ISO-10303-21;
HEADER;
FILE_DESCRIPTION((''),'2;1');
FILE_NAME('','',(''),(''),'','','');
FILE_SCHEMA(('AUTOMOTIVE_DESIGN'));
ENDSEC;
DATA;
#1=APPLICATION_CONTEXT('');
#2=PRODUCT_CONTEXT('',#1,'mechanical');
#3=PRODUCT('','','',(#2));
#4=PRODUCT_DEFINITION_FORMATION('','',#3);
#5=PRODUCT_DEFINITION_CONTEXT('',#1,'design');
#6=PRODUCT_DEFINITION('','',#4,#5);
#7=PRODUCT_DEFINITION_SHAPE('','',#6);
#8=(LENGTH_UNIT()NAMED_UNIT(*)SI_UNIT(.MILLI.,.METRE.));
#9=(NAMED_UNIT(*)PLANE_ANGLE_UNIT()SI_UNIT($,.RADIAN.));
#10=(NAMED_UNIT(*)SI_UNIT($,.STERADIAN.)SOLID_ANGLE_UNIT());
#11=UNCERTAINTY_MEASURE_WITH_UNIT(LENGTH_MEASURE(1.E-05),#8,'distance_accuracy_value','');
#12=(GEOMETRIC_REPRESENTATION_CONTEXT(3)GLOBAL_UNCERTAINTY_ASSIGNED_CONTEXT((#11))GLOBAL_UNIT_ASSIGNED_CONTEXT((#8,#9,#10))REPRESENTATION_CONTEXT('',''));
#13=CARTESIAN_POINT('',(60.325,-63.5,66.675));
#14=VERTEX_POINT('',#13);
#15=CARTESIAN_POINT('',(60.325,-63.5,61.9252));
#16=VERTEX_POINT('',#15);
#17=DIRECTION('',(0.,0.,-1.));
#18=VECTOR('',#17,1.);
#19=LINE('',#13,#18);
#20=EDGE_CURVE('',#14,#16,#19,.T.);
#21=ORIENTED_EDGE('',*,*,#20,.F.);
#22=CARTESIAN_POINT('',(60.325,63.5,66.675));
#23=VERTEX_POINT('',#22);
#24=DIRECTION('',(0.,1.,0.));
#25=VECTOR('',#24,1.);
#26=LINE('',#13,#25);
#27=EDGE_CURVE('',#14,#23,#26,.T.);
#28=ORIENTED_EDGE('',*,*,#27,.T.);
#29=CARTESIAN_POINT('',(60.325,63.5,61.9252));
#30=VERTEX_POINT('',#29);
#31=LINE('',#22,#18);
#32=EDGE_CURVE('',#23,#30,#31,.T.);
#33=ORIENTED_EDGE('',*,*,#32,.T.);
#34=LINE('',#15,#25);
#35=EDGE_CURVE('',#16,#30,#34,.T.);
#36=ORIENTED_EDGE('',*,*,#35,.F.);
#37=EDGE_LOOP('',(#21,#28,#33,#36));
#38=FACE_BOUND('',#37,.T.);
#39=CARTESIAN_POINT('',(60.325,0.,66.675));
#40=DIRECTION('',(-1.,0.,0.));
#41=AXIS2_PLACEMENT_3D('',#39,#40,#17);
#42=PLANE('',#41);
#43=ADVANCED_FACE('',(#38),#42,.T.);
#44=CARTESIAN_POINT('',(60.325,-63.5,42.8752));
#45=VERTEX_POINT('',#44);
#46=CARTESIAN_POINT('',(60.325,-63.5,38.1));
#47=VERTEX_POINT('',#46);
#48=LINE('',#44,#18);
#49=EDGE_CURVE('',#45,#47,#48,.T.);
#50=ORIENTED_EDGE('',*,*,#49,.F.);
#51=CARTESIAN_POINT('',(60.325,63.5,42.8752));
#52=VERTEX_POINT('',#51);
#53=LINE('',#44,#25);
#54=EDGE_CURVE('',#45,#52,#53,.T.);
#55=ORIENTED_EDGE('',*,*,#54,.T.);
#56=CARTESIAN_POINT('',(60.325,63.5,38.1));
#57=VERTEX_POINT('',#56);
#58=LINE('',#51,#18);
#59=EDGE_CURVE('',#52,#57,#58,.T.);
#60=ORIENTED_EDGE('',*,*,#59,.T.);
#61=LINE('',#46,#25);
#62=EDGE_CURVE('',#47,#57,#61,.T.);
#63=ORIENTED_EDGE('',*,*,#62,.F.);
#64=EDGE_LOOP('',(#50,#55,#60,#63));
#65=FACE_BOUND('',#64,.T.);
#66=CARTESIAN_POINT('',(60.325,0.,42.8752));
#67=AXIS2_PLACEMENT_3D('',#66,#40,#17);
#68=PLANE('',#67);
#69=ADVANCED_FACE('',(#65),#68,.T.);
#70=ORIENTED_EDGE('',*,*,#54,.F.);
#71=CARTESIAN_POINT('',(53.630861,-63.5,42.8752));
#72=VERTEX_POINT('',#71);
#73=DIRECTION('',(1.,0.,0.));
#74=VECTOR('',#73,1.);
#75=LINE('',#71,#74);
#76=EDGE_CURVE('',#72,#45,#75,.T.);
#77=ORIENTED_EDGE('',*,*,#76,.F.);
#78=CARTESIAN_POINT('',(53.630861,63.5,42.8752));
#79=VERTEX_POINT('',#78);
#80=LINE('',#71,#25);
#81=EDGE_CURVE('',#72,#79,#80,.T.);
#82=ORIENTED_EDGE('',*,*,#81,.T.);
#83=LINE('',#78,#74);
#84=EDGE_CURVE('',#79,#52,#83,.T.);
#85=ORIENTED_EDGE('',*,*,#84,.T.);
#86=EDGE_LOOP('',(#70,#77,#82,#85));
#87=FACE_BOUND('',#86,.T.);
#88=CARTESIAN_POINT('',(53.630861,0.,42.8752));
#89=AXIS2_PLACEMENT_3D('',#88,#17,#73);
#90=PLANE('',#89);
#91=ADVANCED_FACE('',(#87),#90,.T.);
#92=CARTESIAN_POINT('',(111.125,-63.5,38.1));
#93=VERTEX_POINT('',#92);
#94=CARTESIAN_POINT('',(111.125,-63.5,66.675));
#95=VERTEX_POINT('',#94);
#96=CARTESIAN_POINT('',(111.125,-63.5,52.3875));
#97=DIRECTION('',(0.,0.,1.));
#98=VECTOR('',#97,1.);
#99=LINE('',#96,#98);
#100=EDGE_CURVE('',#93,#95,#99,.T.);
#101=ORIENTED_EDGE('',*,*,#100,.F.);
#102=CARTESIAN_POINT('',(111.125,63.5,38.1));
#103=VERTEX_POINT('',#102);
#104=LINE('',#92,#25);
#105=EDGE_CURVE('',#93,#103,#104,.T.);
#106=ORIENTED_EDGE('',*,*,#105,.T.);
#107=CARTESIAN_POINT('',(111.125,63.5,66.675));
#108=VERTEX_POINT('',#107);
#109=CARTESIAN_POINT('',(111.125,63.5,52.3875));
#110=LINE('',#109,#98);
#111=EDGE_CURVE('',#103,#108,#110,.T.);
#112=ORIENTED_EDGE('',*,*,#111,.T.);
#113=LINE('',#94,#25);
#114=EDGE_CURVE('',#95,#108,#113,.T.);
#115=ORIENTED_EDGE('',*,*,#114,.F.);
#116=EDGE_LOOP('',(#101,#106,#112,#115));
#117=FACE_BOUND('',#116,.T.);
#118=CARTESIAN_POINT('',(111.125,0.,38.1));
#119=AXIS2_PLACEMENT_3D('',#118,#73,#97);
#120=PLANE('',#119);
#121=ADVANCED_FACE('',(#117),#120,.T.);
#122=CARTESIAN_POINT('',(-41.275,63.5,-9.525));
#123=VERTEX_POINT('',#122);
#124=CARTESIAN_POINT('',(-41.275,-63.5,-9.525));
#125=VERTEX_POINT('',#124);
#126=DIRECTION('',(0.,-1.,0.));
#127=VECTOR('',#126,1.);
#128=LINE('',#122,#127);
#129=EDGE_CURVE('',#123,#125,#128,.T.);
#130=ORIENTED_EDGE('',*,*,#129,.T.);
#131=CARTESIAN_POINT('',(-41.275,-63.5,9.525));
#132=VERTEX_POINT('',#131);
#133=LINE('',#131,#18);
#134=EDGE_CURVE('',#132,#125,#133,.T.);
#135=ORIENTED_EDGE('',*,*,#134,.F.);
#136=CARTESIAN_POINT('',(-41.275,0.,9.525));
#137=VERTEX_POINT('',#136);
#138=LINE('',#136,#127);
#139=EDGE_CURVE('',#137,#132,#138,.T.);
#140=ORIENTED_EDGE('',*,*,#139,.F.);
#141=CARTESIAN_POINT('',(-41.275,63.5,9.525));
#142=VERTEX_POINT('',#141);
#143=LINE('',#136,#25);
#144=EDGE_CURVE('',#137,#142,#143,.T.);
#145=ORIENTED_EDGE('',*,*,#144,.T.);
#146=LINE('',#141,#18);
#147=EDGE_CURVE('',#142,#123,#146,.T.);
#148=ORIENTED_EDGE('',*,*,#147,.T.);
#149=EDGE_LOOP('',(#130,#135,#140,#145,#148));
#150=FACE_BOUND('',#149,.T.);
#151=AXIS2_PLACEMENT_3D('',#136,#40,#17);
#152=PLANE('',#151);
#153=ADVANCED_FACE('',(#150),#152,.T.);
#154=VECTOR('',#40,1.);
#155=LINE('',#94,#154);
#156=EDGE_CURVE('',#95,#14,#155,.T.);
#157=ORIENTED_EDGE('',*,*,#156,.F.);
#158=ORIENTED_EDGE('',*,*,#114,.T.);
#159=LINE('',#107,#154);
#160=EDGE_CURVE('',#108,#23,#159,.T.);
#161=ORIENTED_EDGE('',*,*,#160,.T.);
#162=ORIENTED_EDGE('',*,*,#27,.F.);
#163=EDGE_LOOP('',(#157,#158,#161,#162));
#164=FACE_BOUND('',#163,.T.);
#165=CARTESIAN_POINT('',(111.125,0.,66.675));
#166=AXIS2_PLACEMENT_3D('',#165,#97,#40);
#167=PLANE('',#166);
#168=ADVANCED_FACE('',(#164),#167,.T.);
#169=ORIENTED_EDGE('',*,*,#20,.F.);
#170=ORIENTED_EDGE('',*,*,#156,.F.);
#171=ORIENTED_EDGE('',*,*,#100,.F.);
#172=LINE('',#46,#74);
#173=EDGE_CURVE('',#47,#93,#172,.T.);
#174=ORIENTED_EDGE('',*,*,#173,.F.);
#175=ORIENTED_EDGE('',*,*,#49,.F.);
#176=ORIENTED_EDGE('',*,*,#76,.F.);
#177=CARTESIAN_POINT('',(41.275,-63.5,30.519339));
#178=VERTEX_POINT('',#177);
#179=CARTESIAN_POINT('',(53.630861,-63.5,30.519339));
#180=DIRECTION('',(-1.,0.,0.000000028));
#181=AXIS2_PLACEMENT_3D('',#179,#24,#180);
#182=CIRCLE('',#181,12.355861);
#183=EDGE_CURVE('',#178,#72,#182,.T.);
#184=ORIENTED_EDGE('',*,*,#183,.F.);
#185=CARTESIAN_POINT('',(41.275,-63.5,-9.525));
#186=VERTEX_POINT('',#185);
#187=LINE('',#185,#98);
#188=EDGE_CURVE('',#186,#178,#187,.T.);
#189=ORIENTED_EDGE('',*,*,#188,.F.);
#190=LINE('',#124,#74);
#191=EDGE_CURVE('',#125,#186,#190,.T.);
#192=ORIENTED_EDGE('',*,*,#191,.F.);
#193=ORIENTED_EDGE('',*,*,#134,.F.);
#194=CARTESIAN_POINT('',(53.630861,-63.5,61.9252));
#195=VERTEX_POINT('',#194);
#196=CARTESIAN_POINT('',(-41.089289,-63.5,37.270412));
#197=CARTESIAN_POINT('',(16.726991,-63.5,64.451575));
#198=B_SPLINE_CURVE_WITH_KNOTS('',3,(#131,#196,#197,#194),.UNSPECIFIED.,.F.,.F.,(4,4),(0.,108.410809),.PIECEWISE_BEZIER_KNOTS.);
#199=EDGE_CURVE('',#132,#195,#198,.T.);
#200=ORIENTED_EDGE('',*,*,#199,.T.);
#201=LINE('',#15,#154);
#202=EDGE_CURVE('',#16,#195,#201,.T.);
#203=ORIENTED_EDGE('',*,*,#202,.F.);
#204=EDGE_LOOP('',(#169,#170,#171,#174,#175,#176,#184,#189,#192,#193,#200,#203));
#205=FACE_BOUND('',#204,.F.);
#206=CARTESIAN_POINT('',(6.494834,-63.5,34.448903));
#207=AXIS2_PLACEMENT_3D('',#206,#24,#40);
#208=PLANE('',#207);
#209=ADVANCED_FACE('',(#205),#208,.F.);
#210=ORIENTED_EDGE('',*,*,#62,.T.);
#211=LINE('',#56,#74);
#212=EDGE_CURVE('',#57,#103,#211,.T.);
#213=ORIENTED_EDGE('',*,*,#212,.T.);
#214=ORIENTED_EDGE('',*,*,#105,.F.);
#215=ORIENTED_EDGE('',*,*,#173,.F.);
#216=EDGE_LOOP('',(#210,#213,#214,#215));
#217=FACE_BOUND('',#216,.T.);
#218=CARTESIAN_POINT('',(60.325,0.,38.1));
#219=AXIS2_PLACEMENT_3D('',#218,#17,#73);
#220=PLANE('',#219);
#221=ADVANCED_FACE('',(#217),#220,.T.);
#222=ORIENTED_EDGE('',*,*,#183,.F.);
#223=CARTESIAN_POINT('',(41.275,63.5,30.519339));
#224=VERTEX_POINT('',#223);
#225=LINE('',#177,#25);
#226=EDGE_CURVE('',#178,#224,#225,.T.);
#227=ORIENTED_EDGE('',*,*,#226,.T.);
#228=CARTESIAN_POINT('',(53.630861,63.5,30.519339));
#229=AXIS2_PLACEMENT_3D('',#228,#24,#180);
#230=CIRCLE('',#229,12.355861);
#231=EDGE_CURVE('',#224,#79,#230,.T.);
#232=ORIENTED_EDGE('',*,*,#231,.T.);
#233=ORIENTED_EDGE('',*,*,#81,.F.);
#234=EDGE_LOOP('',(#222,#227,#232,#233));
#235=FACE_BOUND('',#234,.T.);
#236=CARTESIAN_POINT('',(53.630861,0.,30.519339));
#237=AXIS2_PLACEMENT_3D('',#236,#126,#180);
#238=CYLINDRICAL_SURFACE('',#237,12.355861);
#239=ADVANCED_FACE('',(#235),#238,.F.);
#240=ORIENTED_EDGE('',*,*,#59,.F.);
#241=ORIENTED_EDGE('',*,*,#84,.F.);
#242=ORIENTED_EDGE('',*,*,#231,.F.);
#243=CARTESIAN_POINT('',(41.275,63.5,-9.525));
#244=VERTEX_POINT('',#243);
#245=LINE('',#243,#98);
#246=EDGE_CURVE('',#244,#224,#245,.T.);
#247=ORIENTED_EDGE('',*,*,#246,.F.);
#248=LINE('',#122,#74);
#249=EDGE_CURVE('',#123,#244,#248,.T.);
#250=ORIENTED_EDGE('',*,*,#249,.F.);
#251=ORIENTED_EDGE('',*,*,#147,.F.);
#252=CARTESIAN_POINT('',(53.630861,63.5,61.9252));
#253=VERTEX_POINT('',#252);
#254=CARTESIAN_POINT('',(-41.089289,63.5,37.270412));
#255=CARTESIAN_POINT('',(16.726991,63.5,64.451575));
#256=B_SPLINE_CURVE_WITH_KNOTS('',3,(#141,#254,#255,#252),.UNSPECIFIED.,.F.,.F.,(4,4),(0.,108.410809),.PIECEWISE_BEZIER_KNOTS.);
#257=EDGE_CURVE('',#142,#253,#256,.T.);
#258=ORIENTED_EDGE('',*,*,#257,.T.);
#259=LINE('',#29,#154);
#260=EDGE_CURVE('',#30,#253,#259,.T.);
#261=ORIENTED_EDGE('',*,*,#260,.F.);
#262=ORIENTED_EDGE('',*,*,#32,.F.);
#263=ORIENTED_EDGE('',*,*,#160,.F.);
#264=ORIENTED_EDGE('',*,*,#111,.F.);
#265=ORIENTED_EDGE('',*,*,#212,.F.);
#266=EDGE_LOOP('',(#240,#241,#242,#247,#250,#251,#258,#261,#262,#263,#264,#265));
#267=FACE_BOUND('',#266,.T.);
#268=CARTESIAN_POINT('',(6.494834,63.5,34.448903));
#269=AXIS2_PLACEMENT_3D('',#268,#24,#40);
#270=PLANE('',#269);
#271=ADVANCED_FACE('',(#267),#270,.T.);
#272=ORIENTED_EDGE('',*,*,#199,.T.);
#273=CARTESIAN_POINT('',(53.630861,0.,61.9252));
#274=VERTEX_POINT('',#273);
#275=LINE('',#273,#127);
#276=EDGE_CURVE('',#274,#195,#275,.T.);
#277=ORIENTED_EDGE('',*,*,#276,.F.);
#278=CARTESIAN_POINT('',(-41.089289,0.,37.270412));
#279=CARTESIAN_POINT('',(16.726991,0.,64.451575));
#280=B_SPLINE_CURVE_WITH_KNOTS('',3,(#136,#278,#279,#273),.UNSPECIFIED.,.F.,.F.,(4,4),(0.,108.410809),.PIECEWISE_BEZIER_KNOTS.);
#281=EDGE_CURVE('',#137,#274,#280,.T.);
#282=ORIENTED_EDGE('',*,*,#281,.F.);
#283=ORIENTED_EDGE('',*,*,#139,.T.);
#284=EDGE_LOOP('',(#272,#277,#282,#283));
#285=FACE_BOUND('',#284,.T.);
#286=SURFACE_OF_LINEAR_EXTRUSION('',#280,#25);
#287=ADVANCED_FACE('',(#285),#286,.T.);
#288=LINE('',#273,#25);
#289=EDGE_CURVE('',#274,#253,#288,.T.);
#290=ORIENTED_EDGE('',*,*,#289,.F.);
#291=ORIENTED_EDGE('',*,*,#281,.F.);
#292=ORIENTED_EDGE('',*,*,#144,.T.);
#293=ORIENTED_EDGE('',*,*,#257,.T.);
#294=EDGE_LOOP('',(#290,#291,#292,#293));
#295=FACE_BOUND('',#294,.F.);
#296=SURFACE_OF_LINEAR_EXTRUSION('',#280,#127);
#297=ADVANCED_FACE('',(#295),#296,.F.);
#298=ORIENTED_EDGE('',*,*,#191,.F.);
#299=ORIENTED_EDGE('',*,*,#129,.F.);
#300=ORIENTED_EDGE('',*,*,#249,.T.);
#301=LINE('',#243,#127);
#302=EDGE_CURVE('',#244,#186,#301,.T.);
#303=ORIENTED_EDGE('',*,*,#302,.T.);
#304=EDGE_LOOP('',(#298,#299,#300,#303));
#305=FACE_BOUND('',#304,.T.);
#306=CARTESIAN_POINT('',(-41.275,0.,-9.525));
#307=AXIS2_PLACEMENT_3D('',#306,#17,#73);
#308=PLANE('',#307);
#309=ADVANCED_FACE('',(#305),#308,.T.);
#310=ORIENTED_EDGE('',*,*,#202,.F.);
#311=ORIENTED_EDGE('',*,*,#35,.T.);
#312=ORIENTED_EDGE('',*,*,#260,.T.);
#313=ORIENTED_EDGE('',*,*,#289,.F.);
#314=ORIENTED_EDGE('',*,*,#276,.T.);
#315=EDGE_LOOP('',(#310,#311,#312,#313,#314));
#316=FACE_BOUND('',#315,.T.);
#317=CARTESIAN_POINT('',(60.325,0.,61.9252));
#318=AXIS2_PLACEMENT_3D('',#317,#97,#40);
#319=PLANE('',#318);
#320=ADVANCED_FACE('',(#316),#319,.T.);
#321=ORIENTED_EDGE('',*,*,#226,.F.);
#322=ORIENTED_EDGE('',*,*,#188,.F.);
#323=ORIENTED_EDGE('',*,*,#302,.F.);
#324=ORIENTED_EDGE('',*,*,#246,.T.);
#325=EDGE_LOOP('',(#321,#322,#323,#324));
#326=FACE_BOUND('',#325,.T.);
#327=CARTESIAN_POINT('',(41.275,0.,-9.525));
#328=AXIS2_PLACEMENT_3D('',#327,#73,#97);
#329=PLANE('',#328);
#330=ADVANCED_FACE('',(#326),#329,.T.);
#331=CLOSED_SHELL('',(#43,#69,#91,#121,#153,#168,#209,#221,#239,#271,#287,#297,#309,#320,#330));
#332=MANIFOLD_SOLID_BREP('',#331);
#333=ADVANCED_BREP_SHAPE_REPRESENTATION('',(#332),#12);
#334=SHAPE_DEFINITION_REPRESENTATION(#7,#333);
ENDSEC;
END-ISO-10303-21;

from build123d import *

# Parameters (mm, degrees)
F0_W     = 25.4
F0_H     = 28.575
F1_DEPTH = 63.5


with BuildPart() as f1:
    # F0 (on Front) → F1 (new body, symmetric)
    with BuildSketch(Plane.XZ):
        with BuildLine():
            add(Edge.make_bspline(
                [(-41.275, 9.525), (-41.089289, 37.270412), (16.726991, 64.451575), (53.630861, 61.9252)],
                knots=[0, 0, 0, 0, 108.410809, 108.410809, 108.410809, 108.410809], degree=3))
            Line((-41.275, 9.525), (22.225, 9.525))
            Line((22.225, 9.525), (22.225, 30.519339))
            ThreePointArc((22.225, 30.519339), (31.423564, 52.726636), (53.630861, 61.9252))
        make_face()
        Polygon((22.225, 9.525), (-41.275, 9.525), (-41.275, -9.525), (41.275, -9.525), (41.275, 9.525), align=None)
        with BuildLine():
            Line((22.225, 30.519339), (22.225, 9.525))
            Line((22.225, 9.525), (41.275, 9.525))
            Line((41.275, 9.525), (41.275, 30.519339))
            ThreePointArc((41.275, 30.519339), (44.893948, 39.256252), (53.630861, 42.8752))
            Line((53.630861, 42.8752), (60.325, 42.8752))
            Line((60.325, 42.8752), (60.325, 61.9252))
            Line((60.325, 61.9252), (53.630861, 61.9252))
            ThreePointArc((53.630861, 61.9252), (31.423564, 52.726636), (22.225, 30.519339))
        make_face()
        Polygon((60.325, 66.675), (60.325, 61.9252), (60.325, 42.8752), (60.325, 38.1), (85.725, 38.1), (85.725, 66.675), align=None)
        with Locations((98.425, 52.3875)):
            Rectangle(F0_W, F0_H)
    extrude(amount=F1_DEPTH, both=True)


solid = f1.part
